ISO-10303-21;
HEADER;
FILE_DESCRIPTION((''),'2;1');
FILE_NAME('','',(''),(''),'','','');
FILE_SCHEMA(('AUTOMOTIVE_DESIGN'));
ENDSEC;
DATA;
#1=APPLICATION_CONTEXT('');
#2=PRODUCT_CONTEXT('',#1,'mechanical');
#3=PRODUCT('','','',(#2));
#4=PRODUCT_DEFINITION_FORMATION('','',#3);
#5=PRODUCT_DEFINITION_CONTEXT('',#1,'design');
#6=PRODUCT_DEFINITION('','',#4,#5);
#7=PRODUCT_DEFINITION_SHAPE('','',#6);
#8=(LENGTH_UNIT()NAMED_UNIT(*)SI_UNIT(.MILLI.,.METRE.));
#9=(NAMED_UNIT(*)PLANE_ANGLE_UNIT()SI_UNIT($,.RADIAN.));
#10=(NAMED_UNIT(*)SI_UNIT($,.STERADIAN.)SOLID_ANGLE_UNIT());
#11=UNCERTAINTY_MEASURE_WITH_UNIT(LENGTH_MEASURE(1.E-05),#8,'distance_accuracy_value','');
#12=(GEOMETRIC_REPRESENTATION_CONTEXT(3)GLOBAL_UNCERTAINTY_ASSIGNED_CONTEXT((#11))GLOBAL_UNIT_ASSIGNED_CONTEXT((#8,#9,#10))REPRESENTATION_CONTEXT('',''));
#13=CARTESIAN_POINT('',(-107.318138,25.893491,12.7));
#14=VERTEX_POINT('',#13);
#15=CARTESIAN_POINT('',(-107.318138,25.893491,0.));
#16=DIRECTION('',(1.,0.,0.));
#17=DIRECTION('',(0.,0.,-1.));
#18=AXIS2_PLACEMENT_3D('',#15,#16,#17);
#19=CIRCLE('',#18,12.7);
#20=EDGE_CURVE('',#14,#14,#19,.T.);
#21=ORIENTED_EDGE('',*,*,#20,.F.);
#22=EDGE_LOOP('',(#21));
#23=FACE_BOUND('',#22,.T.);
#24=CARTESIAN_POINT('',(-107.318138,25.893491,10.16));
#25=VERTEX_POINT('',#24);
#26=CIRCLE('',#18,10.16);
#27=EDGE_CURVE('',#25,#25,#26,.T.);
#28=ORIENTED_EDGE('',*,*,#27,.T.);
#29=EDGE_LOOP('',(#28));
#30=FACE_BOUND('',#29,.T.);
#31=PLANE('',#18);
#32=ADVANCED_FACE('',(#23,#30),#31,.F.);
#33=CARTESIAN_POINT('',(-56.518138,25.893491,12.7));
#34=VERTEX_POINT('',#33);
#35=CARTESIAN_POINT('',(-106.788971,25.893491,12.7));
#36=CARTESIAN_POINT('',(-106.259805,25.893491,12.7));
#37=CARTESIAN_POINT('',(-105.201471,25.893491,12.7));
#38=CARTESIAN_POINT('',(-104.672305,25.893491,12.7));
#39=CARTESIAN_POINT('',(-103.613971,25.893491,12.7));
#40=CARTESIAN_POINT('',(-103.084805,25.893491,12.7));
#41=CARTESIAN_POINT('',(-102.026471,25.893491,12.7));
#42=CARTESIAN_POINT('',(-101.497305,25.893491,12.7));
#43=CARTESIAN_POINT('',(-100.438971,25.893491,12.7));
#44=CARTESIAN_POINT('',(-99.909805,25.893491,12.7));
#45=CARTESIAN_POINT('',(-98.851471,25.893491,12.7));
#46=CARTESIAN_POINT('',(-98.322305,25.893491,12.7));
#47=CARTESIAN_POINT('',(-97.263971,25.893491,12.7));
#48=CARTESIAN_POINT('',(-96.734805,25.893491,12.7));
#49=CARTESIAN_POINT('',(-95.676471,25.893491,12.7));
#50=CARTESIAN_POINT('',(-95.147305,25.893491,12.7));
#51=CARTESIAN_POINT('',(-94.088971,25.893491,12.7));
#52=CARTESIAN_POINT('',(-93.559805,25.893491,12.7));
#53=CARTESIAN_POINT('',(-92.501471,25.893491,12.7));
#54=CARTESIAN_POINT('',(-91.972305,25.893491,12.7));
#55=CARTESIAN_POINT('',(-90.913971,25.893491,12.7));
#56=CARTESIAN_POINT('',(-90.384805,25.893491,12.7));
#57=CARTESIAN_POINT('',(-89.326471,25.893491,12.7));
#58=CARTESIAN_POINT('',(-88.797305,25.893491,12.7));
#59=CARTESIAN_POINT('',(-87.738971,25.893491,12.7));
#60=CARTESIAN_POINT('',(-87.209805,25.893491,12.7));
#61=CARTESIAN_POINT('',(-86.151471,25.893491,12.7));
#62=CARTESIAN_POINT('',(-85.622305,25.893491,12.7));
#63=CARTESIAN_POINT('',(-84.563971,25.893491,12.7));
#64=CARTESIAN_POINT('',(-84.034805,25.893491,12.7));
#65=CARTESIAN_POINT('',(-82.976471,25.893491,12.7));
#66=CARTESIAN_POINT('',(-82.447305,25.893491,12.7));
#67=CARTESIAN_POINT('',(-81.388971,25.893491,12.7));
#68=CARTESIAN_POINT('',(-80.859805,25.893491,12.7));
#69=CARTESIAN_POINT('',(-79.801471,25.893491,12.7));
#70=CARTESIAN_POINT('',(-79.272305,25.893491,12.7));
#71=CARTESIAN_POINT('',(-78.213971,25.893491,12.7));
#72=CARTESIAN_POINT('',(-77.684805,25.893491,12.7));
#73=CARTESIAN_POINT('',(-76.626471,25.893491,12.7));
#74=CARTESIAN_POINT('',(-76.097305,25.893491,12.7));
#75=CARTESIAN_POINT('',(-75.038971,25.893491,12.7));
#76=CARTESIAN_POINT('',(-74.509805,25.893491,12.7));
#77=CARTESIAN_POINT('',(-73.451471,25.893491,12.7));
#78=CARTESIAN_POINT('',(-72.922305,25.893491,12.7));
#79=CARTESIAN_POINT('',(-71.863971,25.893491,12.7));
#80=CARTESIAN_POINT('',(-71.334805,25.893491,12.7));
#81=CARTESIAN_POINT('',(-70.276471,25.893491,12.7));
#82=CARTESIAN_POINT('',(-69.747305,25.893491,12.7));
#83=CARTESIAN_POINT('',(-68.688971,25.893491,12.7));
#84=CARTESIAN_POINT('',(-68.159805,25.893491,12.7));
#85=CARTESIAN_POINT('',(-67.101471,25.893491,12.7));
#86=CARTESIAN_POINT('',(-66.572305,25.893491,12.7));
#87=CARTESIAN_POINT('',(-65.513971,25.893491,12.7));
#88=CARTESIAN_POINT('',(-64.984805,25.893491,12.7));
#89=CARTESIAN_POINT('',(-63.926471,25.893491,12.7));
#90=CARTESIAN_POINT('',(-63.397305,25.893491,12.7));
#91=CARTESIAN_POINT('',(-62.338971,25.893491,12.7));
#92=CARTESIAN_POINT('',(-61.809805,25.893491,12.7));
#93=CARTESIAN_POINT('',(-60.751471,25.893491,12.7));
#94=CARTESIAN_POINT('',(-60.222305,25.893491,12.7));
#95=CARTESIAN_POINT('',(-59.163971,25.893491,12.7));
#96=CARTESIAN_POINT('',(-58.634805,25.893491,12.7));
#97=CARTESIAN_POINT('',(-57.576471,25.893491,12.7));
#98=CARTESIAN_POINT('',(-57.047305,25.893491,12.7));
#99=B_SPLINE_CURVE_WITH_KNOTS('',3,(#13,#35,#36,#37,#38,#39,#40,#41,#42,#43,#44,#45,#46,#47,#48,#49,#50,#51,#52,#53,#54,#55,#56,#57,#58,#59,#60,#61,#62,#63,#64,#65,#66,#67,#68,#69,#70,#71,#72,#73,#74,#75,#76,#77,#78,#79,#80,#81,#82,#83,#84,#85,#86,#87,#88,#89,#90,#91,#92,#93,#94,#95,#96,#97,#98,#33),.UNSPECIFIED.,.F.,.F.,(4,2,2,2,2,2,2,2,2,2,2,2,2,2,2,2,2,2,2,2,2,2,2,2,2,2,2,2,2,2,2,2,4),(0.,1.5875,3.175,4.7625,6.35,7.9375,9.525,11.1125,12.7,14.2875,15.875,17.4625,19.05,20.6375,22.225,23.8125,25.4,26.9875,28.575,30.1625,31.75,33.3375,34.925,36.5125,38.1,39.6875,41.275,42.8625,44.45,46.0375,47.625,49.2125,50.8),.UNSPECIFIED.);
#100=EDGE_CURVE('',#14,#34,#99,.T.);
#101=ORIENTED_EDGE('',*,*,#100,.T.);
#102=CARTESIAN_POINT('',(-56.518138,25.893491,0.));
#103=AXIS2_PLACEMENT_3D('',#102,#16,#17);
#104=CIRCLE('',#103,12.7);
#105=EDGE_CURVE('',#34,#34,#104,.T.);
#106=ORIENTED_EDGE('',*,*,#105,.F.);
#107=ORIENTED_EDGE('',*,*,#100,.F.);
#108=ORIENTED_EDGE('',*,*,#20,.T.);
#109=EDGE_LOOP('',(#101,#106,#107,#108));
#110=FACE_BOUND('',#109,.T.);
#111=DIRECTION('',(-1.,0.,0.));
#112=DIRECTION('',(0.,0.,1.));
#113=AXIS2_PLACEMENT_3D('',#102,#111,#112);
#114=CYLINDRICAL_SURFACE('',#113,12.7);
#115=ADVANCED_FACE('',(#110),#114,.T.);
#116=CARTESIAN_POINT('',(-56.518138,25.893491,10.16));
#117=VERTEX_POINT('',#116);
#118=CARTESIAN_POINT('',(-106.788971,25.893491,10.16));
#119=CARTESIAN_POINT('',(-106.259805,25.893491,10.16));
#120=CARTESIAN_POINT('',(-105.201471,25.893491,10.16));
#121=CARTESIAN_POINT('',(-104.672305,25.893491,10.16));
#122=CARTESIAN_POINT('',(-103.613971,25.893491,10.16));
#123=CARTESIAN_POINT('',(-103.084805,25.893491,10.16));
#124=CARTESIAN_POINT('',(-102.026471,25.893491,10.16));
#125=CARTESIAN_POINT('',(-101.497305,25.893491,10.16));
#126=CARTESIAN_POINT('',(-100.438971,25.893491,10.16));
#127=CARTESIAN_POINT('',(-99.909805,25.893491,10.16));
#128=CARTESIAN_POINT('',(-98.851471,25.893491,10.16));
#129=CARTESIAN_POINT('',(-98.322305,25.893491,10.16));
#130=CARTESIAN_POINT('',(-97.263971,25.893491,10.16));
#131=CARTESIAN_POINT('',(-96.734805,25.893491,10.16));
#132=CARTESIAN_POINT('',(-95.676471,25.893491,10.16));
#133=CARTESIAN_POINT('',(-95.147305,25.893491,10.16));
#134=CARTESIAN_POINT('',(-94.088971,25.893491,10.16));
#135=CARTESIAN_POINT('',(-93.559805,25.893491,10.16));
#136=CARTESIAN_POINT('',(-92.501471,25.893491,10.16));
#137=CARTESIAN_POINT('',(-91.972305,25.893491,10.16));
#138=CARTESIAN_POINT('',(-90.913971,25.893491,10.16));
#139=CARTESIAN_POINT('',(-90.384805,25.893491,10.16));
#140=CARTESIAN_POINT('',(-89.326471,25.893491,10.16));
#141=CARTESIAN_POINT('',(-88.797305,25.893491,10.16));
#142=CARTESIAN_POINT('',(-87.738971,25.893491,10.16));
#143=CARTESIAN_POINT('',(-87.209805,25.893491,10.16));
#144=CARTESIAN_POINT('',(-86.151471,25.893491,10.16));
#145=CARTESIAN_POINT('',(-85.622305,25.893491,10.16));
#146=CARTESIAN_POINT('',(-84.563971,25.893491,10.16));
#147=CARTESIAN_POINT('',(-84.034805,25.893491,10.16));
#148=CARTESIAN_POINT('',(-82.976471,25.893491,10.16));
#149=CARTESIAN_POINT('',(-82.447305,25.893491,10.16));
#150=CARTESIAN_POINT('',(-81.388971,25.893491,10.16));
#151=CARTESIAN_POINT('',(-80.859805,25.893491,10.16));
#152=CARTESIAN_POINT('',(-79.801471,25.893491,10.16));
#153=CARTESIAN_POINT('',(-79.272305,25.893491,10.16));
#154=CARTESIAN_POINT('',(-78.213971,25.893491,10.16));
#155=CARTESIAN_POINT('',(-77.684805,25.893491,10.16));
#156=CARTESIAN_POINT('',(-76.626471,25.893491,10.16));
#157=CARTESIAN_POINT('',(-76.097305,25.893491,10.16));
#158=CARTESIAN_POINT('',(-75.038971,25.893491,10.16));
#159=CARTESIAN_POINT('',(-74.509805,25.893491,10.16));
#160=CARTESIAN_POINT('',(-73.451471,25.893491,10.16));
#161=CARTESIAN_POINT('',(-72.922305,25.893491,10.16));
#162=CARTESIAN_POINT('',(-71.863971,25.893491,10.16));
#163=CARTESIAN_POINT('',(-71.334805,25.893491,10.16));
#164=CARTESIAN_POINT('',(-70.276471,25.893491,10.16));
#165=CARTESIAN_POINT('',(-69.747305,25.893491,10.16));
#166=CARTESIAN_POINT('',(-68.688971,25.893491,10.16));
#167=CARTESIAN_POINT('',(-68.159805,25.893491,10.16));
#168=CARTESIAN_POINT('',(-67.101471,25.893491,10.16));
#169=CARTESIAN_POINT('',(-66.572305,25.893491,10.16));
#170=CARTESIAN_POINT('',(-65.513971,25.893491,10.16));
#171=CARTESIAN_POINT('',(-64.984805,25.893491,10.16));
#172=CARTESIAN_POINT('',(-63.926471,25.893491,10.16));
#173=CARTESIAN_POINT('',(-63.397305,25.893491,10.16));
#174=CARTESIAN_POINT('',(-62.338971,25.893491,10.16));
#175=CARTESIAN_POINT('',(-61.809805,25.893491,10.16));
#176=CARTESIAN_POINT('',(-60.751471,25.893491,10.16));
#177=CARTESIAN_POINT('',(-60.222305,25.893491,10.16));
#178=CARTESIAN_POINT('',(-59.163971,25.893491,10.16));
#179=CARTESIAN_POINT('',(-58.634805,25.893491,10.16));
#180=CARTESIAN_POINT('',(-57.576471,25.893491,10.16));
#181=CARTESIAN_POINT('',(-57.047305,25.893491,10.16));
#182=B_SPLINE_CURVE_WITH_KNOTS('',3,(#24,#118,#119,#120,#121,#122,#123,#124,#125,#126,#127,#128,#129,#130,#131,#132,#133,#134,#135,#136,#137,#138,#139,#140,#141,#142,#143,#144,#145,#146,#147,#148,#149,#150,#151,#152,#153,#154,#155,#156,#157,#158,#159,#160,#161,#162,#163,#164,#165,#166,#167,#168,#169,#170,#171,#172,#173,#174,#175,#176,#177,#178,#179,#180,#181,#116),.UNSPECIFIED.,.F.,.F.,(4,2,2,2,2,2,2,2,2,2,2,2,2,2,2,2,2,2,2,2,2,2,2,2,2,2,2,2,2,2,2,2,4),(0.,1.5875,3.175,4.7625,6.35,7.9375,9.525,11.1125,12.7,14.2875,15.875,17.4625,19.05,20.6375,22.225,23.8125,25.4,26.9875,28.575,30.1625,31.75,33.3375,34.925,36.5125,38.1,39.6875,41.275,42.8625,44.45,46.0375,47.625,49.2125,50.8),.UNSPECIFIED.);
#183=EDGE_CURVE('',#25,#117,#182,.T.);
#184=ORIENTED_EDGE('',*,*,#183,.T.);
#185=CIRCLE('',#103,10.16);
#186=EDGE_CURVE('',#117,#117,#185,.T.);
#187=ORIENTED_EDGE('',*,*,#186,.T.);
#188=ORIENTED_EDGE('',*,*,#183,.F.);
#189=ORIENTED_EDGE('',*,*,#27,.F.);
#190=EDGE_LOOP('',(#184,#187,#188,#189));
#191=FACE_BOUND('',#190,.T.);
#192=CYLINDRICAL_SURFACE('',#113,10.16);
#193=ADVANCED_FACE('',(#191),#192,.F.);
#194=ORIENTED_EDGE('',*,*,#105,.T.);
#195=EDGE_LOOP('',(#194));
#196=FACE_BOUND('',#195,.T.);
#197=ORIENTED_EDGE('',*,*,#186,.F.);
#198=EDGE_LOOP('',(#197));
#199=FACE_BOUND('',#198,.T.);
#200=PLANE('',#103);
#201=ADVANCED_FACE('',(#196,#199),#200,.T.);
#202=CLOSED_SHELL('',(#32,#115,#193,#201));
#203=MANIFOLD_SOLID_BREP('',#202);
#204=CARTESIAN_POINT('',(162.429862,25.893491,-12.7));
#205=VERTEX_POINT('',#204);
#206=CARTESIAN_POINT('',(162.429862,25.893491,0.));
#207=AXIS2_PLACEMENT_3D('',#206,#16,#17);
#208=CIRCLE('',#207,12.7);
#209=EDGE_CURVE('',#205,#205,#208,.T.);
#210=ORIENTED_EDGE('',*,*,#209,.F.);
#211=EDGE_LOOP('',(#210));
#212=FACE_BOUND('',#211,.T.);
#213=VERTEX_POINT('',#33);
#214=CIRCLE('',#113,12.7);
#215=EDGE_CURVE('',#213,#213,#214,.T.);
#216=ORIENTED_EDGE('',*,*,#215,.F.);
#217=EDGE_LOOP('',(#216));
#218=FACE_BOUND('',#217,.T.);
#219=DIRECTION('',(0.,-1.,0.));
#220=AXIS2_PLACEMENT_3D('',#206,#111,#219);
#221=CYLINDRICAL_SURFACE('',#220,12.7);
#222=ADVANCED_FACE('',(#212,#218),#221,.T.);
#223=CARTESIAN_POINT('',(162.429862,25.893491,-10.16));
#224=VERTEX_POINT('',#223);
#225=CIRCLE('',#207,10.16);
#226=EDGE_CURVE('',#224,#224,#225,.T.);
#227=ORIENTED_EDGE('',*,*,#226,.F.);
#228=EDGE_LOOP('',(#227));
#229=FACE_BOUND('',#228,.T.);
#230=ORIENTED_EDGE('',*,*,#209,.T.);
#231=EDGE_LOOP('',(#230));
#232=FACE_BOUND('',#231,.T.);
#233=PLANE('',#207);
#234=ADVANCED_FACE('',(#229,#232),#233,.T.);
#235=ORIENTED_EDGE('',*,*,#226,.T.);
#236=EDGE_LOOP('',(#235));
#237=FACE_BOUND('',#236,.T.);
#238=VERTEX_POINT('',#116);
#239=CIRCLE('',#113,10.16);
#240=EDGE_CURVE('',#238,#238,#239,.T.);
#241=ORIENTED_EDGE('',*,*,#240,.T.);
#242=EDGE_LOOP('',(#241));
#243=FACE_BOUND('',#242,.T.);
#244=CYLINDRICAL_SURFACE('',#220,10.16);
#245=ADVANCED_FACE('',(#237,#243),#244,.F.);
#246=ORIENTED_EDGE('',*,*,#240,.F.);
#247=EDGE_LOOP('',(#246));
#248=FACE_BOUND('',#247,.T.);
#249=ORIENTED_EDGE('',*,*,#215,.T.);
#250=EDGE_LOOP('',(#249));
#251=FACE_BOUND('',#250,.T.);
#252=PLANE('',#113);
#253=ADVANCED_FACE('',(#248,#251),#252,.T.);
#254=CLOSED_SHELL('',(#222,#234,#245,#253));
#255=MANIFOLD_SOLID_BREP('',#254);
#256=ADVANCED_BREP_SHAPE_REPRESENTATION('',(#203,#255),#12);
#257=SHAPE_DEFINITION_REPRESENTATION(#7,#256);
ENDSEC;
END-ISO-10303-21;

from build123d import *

# Parameters (mm, degrees)
SKETCH1_R                = 12.7
SKETCH1_R_2              = 10.16
TUBING_TUBING_1_DEPTH    = 50.8
SKETCH1_ON_SEGMENT_2_R   = 12.7
SKETCH1_ON_SEGMENT_2_R_2 = 10.16
TUBING_TUBING_1_2_DEPTH  = 218.948


with BuildPart() as part:
    # Sketch1 → Tubing TUBING(1) (new body)
    with BuildSketch(Plane(origin=(-107.318138062, 25.893490854, 0), x_dir=(0, 1, 0), z_dir=(1, 0, 0))):
        Circle(SKETCH1_R)
        Circle(SKETCH1_R_2, mode=Mode.SUBTRACT)
    extrude(amount=TUBING_TUBING_1_DEPTH)


with BuildPart() as body_2:
    # Sketch1 on segment 2 (carried to segment 2) → Tubing TUBING_1 2 (new body)
    with BuildSketch(Plane(origin=(-56.518138062, 25.893490854, 0), x_dir=(0, 1, 0), z_dir=(1, 0, 0))):
        Circle(SKETCH1_ON_SEGMENT_2_R)
        Circle(SKETCH1_ON_SEGMENT_2_R_2, mode=Mode.SUBTRACT)
    extrude(amount=TUBING_TUBING_1_2_DEPTH)


solid = Compound([part.part, body_2.part])
